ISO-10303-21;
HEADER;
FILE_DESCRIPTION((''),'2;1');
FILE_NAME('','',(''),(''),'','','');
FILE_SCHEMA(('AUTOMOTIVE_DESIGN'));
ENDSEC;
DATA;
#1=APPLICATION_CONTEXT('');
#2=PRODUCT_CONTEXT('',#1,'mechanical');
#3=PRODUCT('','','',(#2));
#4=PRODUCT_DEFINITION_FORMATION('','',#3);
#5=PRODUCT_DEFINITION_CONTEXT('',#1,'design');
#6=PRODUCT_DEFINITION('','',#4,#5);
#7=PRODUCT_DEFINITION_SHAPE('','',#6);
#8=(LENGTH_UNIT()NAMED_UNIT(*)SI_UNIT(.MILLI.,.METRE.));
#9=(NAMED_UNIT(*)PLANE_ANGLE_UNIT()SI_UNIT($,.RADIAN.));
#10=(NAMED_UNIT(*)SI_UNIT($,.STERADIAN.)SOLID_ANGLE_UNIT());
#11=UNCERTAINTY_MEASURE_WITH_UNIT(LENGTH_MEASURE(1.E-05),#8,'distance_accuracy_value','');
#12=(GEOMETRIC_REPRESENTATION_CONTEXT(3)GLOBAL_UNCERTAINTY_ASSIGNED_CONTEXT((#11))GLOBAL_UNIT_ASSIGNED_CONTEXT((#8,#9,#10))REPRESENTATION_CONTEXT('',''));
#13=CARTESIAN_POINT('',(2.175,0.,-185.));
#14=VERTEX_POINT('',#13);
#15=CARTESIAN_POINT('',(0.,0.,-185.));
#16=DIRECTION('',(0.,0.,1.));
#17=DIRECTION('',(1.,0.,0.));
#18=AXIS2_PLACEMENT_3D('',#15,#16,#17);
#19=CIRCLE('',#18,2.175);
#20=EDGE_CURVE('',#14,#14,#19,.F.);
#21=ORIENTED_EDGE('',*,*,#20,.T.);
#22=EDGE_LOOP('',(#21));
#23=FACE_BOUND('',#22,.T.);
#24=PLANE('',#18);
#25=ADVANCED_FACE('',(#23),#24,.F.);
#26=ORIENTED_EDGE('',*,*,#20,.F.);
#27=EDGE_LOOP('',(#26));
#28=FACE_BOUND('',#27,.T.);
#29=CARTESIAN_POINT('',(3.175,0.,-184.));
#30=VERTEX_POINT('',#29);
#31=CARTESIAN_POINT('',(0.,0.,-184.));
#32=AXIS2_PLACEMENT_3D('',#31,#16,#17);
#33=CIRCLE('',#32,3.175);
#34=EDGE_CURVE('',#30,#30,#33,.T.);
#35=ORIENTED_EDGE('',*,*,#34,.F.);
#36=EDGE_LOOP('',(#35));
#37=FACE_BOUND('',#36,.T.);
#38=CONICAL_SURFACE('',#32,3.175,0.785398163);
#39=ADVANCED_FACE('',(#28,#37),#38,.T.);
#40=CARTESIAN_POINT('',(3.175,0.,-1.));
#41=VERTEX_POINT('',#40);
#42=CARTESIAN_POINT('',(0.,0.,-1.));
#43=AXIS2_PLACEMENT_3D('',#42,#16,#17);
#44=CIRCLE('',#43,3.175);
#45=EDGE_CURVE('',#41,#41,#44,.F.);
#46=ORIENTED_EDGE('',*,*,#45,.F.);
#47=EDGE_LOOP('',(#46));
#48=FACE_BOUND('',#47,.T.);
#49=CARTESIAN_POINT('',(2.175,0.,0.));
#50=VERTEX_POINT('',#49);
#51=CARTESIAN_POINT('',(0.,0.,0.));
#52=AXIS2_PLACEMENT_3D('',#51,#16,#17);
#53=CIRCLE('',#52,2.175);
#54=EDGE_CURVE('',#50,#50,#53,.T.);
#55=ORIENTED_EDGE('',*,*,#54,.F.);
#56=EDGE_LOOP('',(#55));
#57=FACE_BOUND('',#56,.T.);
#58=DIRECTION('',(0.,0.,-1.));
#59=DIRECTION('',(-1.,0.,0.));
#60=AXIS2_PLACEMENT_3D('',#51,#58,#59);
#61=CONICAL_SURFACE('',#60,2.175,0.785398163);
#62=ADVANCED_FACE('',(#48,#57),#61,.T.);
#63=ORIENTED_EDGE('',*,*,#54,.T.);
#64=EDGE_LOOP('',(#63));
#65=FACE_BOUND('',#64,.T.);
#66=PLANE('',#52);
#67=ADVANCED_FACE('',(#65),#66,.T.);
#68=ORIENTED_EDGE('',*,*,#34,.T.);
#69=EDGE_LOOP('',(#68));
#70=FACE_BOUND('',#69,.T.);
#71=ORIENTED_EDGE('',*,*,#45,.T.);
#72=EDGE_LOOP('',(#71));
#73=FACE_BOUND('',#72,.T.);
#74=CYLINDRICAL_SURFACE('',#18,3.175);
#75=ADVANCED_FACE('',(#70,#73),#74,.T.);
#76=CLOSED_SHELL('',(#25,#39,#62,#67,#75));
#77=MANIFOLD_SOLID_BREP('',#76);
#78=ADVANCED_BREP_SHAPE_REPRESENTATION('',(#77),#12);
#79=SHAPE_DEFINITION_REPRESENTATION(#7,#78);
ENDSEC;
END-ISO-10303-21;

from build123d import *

# Parameters (mm, degrees)
SKETCH1_R           = 3.175
BOSS_EXTRUDE1_DEPTH = 185
CHAMFER1_SIZE       = 1


with BuildPart() as part:
    # Sketch1 → Boss-Extrude1 (new body)
    with BuildSketch(Plane.XY):
        Circle(SKETCH1_R)
    extrude(amount=-BOSS_EXTRUDE1_DEPTH)

    # Chamfer1
    chamfer1_edges = [part.edges().sort_by_distance(p)[0] for p in [
        (-3.175, 0, 0),
        (-3.175, 0, -185),
    ]]
    chamfer(chamfer1_edges, length=CHAMFER1_SIZE)


solid = part.part
